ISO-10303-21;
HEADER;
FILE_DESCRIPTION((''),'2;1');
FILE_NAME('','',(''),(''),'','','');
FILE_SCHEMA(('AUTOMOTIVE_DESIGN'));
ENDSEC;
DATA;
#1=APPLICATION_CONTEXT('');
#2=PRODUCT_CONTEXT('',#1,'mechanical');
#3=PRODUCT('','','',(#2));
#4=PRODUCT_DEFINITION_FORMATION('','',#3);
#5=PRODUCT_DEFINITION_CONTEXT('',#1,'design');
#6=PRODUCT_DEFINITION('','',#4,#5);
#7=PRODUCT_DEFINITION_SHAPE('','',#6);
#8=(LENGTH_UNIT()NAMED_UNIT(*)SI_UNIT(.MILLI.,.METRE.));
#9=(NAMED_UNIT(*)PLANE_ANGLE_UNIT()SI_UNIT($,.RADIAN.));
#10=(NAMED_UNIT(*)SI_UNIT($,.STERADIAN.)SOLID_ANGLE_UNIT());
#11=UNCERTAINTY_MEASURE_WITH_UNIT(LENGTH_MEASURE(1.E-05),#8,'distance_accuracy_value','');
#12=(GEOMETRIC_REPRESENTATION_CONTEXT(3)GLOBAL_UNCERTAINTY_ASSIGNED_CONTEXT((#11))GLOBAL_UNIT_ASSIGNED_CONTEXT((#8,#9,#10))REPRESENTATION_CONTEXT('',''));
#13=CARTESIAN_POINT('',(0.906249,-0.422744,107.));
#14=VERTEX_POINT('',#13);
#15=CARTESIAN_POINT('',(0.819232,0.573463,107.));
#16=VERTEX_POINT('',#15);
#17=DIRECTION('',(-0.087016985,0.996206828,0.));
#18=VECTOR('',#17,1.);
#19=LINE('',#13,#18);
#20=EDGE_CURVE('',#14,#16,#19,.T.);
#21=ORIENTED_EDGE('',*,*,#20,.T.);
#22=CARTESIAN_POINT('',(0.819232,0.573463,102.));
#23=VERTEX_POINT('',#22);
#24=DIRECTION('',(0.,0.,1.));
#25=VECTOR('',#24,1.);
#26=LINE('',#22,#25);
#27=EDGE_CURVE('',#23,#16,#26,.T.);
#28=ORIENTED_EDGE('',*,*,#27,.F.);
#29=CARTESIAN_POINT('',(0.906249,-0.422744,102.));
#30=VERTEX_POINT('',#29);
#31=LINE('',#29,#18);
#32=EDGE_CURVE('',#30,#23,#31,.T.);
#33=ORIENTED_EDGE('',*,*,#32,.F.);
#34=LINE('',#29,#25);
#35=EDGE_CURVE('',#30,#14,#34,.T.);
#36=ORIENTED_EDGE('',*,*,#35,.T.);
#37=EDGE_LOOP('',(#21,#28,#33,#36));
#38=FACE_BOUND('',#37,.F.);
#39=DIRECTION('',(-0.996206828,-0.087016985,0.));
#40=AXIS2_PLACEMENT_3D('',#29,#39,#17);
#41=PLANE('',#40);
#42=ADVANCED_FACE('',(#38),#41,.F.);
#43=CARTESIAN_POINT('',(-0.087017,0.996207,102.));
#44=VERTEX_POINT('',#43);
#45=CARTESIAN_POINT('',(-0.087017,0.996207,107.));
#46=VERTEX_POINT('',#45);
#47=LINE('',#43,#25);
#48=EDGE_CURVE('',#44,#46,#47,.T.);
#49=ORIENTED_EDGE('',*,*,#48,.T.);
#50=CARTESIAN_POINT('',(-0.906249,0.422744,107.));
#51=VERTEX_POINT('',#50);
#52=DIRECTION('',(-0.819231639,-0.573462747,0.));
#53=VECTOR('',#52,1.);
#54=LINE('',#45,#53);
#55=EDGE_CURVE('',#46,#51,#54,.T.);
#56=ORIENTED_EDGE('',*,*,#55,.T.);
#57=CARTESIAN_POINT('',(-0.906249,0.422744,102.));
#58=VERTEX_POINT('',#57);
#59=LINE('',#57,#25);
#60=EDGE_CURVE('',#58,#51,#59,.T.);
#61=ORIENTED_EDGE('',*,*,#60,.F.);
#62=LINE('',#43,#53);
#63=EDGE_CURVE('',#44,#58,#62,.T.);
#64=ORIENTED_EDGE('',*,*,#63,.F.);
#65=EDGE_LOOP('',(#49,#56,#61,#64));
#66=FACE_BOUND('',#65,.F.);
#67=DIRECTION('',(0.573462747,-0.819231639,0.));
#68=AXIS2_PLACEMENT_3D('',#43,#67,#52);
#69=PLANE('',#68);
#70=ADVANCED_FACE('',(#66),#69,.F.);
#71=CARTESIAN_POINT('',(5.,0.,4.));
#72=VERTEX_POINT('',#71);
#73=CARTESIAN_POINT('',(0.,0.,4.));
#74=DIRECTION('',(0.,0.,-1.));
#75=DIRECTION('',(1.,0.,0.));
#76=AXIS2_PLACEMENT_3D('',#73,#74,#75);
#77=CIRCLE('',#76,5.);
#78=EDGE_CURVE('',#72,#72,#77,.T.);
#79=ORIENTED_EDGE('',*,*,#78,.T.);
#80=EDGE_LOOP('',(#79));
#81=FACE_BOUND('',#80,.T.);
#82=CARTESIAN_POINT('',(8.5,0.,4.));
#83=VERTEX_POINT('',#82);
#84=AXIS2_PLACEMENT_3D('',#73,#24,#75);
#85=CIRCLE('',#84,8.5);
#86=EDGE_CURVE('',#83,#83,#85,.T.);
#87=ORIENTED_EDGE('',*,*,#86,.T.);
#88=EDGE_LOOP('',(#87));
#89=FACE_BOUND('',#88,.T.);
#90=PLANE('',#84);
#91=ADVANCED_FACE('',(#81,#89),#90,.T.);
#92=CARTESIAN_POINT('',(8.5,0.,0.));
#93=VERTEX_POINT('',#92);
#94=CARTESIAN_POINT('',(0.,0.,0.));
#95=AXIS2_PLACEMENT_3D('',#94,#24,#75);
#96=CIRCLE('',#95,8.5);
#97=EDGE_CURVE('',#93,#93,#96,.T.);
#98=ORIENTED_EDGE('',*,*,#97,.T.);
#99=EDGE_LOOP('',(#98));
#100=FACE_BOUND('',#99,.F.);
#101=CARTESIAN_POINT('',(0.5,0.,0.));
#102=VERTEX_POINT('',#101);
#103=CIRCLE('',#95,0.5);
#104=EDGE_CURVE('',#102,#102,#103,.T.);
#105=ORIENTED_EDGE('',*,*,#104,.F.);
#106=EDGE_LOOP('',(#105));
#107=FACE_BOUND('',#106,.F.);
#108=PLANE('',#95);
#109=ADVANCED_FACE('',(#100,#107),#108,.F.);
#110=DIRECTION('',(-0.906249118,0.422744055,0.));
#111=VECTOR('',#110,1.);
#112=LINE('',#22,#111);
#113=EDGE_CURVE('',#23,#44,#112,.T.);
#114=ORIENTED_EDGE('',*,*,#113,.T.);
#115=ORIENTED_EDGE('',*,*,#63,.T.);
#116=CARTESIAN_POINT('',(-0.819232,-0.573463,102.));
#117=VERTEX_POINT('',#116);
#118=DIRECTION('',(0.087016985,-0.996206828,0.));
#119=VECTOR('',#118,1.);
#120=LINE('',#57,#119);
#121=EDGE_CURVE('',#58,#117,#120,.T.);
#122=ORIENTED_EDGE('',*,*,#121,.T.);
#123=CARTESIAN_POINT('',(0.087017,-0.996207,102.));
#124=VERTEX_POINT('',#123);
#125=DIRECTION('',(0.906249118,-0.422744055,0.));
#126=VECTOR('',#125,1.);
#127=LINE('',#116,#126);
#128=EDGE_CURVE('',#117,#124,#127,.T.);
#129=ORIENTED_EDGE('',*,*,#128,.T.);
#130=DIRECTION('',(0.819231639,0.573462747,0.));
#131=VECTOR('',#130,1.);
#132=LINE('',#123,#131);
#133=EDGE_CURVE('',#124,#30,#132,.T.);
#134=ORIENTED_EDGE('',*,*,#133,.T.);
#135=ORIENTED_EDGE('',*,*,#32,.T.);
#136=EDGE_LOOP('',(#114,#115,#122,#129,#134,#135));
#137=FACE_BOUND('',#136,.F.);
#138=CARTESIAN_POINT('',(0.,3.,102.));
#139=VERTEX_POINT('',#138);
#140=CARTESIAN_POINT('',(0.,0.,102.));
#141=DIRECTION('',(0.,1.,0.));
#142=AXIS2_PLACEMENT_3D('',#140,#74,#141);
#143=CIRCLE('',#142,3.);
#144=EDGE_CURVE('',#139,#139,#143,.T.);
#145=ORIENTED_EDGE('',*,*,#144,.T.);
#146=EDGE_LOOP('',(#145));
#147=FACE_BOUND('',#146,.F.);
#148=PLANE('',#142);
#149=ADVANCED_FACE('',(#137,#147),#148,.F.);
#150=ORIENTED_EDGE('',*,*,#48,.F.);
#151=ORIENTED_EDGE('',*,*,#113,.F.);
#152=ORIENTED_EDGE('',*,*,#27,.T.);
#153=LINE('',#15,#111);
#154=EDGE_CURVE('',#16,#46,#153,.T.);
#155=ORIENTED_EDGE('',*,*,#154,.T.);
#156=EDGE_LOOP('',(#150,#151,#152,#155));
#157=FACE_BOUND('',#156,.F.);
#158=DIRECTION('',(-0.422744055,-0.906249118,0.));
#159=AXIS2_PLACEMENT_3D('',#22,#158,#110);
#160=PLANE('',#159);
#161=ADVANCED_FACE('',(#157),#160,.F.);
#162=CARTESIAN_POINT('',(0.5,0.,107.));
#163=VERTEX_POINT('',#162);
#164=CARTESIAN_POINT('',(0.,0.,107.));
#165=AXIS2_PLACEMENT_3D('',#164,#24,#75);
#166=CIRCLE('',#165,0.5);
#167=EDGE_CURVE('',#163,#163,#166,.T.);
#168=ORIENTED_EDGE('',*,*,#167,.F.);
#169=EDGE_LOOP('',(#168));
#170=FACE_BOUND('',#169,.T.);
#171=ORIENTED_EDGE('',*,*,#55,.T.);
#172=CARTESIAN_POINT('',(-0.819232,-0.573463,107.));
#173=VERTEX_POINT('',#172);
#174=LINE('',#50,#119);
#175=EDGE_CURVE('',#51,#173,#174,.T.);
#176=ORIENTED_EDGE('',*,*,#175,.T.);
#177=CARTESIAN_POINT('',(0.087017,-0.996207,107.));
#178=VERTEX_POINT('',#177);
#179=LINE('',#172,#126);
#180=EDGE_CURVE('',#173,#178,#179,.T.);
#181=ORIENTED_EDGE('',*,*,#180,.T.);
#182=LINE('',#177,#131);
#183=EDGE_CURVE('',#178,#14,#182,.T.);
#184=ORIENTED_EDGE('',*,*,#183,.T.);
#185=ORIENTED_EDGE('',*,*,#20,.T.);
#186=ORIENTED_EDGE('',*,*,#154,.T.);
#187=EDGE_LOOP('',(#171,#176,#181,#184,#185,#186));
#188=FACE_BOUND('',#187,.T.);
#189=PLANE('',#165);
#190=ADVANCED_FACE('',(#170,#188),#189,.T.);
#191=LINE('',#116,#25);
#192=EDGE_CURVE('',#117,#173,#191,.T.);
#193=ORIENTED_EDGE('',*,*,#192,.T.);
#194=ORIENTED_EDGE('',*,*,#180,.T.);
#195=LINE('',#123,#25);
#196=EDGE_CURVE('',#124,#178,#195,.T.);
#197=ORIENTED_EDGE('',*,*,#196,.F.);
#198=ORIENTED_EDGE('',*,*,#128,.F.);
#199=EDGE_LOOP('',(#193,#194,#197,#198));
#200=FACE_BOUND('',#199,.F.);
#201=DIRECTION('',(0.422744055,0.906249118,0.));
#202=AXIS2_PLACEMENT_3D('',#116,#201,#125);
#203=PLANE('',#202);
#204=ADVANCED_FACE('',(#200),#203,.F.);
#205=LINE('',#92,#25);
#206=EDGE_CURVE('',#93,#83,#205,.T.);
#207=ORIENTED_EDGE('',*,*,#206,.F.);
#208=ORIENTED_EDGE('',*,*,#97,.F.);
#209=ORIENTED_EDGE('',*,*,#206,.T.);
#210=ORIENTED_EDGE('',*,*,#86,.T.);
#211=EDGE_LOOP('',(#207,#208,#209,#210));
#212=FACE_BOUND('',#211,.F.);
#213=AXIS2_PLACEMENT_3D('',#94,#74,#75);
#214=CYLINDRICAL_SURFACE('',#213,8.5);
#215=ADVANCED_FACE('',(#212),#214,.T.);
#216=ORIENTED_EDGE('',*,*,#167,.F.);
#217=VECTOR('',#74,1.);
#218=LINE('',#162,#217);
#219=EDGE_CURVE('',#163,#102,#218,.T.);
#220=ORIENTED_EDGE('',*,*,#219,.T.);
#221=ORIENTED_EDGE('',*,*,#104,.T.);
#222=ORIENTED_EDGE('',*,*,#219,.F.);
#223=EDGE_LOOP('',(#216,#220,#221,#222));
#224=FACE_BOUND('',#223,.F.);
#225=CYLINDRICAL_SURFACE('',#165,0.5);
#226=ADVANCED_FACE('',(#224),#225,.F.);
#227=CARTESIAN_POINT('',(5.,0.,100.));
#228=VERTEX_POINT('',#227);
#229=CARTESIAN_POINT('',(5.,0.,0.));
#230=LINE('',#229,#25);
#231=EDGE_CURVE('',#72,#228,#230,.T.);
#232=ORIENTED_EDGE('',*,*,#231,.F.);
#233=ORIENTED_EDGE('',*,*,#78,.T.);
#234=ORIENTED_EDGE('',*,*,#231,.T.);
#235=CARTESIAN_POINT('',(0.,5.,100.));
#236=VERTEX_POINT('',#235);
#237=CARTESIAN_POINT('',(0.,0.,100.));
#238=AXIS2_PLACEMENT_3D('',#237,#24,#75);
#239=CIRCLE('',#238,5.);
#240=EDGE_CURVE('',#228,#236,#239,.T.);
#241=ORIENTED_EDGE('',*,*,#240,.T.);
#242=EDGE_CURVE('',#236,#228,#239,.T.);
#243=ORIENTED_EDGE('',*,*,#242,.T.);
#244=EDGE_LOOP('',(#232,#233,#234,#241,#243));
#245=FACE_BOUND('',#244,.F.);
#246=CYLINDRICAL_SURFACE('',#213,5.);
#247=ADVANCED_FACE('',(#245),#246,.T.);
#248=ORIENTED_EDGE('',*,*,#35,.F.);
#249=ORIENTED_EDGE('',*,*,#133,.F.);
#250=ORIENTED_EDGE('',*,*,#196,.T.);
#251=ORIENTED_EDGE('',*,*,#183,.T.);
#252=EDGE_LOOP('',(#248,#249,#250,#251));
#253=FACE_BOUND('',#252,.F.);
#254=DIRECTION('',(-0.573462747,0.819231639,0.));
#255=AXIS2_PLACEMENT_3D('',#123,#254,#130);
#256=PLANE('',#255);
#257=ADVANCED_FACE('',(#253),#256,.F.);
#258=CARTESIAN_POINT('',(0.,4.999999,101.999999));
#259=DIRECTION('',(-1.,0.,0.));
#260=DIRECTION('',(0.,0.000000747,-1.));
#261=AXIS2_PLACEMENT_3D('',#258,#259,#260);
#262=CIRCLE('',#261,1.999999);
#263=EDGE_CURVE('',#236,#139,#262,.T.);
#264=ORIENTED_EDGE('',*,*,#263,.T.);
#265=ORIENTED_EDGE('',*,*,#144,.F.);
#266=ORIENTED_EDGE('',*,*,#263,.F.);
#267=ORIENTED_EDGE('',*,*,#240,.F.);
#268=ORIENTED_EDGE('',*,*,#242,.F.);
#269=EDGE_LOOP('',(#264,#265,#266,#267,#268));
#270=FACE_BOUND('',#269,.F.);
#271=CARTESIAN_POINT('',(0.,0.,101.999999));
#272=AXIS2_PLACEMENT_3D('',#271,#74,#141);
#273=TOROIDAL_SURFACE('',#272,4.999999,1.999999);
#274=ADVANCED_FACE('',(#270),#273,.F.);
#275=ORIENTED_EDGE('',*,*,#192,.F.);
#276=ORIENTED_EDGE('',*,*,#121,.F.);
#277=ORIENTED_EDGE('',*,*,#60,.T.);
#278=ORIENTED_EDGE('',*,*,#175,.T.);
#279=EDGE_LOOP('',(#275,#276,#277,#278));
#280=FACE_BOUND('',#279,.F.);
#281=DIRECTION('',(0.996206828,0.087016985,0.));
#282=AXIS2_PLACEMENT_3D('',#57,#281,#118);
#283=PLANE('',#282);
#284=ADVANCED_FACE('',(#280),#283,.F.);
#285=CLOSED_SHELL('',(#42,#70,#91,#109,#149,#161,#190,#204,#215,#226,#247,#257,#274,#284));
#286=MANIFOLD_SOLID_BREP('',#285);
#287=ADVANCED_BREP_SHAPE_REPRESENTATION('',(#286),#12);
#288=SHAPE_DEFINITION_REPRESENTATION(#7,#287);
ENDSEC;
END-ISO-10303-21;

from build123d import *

# Parameters (mm, degrees)
F0_R     = 8.5
F1_DEPTH = 4
F2_R     = 5
F3_DEPTH = 100
F7_DEPTH = 5
F8_R     = 0.5
F9_DEPTH = 110.1


with BuildPart() as f1:
    # F0 (on Top) → F1 (new body)
    with BuildSketch(Plane.XY):
        Circle(F0_R)
    extrude(amount=F1_DEPTH)

    # F2 (on Top) → F3 (join)
    with BuildSketch(Plane.XY):
        Circle(F2_R)
    extrude(amount=F3_DEPTH)

    # F4 (on Right) → F5 (revolve)
    with BuildSketch(Plane.YZ):
        with BuildLine():
            Line((3, 102), (0, 102))
            Line((0, 102), (0, 100))
            Line((0, 100), (5, 100))
            ThreePointArc((5, 100), (3.585786, 100.585786), (3, 102))
        make_face()
    revolve(axis=Axis((0, 0, 101), (0, 0, -1)))

    # F6 (on face) → F7 (join)
    with BuildSketch(Plane.XY.offset(102)):
        Polygon((0.087017, -0.996207), (0.906249, -0.422744), (0.819232, 0.573463), (-0.087017, 0.996207), (-0.906249, 0.422744), (-0.819232, -0.573463), align=None)
    extrude(amount=F7_DEPTH)

    # F8 (on face) → F9 (cut)
    with BuildSketch(Plane.XY.offset(107)):
        Circle(F8_R)
    extrude(amount=-F9_DEPTH, mode=Mode.SUBTRACT)


solid = f1.part
